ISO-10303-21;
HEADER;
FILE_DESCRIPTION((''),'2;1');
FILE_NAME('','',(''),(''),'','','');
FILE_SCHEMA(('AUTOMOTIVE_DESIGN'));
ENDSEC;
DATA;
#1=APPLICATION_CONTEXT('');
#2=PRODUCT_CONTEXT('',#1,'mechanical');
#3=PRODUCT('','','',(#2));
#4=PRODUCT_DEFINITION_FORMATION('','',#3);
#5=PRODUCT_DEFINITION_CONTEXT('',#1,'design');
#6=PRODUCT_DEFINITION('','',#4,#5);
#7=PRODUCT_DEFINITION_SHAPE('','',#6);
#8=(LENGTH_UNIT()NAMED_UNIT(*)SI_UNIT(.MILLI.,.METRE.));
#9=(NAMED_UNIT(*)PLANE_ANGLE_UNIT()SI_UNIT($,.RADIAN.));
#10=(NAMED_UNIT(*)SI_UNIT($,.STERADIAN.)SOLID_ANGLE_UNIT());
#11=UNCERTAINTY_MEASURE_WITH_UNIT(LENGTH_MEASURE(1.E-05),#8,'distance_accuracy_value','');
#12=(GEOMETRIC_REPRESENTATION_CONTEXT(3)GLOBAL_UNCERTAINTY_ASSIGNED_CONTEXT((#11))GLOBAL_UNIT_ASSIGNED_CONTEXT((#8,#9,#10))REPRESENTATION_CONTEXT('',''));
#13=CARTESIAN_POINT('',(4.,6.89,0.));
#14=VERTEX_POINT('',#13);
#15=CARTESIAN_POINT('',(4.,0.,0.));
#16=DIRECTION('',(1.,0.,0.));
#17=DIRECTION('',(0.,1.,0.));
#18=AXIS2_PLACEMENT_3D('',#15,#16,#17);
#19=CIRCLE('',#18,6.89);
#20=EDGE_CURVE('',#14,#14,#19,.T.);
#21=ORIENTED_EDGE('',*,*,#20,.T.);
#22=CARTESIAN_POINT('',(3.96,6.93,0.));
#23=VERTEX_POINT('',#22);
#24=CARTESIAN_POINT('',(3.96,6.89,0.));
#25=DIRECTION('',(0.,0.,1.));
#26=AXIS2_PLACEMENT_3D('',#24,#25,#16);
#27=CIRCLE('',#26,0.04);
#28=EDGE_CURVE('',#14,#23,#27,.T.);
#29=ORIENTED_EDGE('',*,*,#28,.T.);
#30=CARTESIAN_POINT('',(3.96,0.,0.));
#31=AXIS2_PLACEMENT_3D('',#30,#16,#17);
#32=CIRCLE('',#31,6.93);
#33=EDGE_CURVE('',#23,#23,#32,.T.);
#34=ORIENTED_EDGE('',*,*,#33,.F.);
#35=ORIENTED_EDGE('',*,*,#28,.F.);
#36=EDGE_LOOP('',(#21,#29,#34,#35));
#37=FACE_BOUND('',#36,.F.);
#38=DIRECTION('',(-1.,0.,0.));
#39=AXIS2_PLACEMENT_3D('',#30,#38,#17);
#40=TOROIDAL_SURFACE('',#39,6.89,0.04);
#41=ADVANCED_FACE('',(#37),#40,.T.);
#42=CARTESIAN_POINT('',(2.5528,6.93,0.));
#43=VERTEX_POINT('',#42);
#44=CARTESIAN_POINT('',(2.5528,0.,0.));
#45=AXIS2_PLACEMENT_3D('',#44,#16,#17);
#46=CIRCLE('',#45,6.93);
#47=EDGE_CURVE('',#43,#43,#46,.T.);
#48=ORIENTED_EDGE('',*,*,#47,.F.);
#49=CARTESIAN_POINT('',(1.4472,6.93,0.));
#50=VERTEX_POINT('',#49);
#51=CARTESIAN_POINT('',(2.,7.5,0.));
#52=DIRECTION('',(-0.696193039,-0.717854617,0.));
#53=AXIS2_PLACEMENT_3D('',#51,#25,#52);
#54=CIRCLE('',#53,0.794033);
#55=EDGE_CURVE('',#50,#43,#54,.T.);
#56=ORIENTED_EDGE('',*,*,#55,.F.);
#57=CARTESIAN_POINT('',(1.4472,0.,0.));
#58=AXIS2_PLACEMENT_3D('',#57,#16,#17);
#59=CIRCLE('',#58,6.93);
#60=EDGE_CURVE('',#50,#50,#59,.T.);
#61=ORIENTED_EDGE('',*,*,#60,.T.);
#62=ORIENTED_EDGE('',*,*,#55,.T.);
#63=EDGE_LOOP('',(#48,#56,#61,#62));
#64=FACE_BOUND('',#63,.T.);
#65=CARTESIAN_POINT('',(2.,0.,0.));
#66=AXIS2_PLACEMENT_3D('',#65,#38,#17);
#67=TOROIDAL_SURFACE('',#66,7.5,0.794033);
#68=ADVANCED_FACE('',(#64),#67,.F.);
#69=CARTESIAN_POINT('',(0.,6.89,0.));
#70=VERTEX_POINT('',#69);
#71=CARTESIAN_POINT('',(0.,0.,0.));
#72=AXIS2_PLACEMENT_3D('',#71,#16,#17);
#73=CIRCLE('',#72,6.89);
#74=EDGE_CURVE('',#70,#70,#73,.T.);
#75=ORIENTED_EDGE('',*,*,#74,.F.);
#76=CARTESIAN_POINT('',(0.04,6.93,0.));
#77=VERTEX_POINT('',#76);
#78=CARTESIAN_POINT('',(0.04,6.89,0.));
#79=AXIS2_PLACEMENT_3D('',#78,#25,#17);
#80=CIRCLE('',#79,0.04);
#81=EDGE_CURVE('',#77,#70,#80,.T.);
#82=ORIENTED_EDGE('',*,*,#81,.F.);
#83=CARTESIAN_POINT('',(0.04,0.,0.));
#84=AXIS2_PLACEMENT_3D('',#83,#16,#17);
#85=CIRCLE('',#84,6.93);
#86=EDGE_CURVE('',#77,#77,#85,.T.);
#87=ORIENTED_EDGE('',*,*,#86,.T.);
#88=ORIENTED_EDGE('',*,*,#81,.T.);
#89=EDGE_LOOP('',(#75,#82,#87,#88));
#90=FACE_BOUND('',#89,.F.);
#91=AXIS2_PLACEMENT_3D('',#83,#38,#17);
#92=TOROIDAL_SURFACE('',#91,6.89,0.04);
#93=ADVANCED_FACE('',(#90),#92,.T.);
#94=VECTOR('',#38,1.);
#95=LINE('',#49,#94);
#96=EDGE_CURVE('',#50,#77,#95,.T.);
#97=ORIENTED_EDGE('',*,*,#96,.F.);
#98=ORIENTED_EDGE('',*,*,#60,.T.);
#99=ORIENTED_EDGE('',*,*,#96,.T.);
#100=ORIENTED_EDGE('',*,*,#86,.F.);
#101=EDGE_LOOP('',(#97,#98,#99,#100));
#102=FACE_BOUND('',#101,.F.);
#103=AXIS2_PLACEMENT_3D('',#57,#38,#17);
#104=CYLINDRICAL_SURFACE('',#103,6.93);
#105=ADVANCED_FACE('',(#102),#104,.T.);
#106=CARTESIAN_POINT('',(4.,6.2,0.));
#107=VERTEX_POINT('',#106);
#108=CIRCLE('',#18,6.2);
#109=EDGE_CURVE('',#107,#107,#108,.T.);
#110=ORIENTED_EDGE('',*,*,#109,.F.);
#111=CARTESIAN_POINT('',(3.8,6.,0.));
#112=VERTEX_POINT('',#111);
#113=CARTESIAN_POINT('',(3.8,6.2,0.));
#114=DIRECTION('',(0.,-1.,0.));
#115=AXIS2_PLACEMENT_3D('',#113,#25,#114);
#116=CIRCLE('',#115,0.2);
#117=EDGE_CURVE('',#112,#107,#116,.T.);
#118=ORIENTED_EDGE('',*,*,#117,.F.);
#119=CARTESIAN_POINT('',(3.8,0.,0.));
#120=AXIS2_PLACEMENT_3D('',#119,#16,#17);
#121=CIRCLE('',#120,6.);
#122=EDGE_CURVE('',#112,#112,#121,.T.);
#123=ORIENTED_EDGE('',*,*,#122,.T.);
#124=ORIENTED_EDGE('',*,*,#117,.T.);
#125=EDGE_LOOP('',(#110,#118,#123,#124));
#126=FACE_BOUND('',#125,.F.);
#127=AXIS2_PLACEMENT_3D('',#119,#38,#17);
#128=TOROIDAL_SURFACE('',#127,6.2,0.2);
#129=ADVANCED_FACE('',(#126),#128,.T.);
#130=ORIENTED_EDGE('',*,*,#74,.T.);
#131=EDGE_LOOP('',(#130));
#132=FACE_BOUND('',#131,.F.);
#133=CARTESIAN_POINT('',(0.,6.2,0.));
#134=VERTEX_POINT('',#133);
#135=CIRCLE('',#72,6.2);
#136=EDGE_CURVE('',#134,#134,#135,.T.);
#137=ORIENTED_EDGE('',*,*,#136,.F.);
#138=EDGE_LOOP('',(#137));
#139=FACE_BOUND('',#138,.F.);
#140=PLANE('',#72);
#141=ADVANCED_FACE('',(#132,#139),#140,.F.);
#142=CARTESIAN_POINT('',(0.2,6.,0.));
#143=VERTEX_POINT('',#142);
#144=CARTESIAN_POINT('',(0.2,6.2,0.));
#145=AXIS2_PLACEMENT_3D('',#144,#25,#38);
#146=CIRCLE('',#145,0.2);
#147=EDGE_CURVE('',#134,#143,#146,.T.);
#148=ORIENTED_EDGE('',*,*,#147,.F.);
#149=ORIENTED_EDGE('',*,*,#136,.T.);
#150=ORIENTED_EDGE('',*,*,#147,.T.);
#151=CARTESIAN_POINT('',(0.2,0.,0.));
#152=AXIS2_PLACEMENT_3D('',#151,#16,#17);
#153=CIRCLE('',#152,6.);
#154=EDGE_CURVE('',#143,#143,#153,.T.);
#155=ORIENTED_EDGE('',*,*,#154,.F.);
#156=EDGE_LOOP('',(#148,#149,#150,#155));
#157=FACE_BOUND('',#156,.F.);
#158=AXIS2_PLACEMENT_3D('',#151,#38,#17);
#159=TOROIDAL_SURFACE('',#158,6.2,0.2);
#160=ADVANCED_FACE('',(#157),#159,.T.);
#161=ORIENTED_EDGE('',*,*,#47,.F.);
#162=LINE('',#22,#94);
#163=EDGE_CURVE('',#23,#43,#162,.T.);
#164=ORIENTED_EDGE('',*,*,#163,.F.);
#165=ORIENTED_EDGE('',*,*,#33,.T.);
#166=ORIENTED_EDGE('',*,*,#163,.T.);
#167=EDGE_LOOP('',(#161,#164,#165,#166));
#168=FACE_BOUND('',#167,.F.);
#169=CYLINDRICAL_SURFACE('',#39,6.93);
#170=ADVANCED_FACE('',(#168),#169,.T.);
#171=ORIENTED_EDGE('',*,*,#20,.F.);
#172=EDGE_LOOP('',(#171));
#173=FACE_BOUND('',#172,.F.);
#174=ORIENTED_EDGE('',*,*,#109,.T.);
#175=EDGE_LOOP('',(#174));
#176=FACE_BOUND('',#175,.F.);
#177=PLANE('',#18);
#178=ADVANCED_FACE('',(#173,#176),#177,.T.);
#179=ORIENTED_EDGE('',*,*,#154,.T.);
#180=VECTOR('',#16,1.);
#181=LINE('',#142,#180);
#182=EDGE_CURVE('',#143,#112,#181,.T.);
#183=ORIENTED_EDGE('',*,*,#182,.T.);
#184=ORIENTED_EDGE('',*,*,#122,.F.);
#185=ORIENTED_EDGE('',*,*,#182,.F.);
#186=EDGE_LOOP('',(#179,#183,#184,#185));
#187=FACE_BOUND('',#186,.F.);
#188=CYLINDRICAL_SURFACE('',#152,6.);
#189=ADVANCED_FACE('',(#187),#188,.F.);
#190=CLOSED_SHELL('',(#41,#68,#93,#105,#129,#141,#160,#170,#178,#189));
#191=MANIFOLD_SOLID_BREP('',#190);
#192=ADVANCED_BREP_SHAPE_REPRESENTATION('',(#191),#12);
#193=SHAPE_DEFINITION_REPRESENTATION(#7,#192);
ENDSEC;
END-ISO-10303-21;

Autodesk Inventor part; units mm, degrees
ref_plane "YZ Plane" through (0, 0, 0) normal (1, 0, 0) x (0, 1, 0)
ref_plane "XZ Plane" through (0, 0, 0) normal (0, 1, 0) x (-1, 0, 0)
ref_plane "XY Plane" through (0, 0, 0) normal (0, 0, 1) x (1, 0, 0)
sketch "Sketch_1" plane through (0, 0, 0) normal (0, 0, 1) x (1, 0, 0)
  line L0 (50, 0) -> (-50, 0)
  line L1 (0, 6.89) -> (0, 6.2)
  arc A0 (0, 6.2) -> (0.2, 6) centre (0.2, 6.2) ccw
  line L2 (0.2, 6) -> (3.8, 6)
  arc A1 (3.8, 6) -> (4, 6.2) centre (3.8, 6.2) ccw
  line L3 (4, 6.2) -> (4, 6.89)
  arc A2 (4, 6.89) -> (3.96, 6.93) centre (3.96, 6.89) ccw
  line L4 (3.96, 6.93) -> (2.5528, 6.93)
  arc A3 (1.4472, 6.93) -> (2.5528, 6.93) centre (2, 7.5) ccw
  line L5 (1.4472, 6.93) -> (0.04, 6.93)
  arc A4 (0.04, 6.93) -> (0, 6.89) centre (0.04, 6.89) ccw
revolve "Revolution1" add sketch "Sketch_1" angle 360 about axis through (50, 0, 0) along (1, 0, 0)
properties part number "W 61701_PART1"
